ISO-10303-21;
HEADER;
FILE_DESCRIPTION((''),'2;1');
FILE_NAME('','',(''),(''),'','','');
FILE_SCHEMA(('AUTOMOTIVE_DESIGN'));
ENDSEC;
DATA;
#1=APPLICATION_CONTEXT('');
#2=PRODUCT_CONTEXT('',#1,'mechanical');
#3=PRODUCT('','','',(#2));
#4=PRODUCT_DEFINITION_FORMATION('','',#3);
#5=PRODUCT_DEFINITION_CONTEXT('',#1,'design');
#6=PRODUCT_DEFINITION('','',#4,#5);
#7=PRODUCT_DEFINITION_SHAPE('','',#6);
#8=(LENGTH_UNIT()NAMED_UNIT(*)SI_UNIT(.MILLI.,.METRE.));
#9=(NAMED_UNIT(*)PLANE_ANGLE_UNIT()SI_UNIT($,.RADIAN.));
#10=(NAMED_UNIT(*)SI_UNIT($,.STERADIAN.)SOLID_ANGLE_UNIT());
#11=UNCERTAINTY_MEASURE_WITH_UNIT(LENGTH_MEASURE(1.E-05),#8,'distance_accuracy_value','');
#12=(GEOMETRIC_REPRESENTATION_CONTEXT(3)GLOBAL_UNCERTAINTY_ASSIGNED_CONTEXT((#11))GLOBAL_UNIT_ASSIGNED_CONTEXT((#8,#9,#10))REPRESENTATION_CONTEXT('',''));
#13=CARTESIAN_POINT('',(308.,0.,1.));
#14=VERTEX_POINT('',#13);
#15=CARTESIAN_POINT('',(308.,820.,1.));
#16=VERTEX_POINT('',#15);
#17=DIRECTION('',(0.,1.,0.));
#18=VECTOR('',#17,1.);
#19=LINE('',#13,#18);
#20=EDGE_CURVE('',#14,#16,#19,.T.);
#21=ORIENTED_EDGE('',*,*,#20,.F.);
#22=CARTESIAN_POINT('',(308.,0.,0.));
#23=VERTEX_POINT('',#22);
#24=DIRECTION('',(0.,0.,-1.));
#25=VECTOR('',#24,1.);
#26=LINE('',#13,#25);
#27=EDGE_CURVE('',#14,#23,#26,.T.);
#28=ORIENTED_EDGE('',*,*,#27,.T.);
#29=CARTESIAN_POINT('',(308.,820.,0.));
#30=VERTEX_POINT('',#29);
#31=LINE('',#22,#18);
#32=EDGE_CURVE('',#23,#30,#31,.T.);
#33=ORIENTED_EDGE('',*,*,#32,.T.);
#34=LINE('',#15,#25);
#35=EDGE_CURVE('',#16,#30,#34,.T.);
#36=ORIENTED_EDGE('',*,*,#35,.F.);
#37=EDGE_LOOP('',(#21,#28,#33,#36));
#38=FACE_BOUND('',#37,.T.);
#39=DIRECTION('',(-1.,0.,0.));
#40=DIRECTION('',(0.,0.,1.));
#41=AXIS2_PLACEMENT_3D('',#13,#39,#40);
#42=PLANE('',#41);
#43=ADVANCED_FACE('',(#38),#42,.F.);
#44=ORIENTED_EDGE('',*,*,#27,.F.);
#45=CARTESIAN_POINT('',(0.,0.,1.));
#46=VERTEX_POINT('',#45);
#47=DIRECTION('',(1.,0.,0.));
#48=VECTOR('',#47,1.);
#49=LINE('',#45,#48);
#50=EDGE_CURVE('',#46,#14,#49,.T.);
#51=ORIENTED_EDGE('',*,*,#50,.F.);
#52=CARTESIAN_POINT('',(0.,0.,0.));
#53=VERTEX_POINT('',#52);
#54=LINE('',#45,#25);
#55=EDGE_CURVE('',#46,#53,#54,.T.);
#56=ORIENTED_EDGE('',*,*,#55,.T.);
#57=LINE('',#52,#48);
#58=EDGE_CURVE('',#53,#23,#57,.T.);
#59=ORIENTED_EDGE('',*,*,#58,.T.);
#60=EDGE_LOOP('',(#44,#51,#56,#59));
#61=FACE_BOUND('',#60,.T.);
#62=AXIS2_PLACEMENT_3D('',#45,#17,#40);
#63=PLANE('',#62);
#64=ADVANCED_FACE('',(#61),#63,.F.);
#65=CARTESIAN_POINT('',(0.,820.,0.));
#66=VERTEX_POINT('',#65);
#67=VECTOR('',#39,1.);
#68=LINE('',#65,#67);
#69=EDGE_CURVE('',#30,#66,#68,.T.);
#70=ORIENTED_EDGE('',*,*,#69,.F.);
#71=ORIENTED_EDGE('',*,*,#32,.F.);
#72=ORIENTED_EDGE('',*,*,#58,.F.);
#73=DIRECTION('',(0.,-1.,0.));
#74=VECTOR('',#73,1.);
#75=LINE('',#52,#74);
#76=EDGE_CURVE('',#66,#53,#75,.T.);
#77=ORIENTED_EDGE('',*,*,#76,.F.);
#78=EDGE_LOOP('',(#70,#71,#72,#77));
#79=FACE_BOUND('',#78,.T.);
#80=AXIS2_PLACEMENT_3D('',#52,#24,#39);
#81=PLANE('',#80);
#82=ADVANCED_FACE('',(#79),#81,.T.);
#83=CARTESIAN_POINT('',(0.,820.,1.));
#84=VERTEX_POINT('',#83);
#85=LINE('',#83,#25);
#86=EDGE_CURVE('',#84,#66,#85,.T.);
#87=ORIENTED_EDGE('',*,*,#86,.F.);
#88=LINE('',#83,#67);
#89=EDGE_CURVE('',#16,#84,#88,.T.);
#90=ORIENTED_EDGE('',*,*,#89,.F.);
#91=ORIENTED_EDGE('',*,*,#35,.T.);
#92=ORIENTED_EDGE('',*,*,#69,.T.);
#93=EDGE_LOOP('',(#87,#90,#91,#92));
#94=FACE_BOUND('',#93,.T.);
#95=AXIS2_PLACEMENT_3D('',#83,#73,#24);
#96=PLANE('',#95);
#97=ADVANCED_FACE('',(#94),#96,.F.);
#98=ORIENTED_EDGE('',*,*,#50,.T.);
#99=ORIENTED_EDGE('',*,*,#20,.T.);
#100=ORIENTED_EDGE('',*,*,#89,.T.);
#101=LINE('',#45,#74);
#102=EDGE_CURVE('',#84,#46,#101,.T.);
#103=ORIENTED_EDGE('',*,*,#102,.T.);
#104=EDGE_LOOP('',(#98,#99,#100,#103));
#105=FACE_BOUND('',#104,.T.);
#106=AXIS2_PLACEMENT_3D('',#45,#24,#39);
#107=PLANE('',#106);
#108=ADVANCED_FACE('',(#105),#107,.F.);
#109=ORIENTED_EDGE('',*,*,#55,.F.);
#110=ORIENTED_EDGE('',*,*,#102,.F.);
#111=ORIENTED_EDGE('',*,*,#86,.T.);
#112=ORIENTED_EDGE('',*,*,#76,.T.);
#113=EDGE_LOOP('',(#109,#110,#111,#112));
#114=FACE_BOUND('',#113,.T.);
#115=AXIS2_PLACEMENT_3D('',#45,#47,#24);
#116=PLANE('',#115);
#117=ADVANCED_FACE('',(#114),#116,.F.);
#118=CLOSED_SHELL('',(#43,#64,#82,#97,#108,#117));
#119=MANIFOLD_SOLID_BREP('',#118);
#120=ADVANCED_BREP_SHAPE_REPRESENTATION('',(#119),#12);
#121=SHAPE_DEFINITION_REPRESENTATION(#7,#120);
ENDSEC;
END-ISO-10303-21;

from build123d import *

# Parameters (mm, degrees)
SKETCH_1_W      = 308
SKETCH_1_H      = 820
EXTRUDE_1_DEPTH = 1


with BuildPart() as part:
    # 스케치1 → 보스-돌출1 (new body)
    with BuildSketch(Plane.XY):
        with Locations((154, 410)):
            Rectangle(SKETCH_1_W, SKETCH_1_H)
    extrude(amount=EXTRUDE_1_DEPTH)


solid = part.part
